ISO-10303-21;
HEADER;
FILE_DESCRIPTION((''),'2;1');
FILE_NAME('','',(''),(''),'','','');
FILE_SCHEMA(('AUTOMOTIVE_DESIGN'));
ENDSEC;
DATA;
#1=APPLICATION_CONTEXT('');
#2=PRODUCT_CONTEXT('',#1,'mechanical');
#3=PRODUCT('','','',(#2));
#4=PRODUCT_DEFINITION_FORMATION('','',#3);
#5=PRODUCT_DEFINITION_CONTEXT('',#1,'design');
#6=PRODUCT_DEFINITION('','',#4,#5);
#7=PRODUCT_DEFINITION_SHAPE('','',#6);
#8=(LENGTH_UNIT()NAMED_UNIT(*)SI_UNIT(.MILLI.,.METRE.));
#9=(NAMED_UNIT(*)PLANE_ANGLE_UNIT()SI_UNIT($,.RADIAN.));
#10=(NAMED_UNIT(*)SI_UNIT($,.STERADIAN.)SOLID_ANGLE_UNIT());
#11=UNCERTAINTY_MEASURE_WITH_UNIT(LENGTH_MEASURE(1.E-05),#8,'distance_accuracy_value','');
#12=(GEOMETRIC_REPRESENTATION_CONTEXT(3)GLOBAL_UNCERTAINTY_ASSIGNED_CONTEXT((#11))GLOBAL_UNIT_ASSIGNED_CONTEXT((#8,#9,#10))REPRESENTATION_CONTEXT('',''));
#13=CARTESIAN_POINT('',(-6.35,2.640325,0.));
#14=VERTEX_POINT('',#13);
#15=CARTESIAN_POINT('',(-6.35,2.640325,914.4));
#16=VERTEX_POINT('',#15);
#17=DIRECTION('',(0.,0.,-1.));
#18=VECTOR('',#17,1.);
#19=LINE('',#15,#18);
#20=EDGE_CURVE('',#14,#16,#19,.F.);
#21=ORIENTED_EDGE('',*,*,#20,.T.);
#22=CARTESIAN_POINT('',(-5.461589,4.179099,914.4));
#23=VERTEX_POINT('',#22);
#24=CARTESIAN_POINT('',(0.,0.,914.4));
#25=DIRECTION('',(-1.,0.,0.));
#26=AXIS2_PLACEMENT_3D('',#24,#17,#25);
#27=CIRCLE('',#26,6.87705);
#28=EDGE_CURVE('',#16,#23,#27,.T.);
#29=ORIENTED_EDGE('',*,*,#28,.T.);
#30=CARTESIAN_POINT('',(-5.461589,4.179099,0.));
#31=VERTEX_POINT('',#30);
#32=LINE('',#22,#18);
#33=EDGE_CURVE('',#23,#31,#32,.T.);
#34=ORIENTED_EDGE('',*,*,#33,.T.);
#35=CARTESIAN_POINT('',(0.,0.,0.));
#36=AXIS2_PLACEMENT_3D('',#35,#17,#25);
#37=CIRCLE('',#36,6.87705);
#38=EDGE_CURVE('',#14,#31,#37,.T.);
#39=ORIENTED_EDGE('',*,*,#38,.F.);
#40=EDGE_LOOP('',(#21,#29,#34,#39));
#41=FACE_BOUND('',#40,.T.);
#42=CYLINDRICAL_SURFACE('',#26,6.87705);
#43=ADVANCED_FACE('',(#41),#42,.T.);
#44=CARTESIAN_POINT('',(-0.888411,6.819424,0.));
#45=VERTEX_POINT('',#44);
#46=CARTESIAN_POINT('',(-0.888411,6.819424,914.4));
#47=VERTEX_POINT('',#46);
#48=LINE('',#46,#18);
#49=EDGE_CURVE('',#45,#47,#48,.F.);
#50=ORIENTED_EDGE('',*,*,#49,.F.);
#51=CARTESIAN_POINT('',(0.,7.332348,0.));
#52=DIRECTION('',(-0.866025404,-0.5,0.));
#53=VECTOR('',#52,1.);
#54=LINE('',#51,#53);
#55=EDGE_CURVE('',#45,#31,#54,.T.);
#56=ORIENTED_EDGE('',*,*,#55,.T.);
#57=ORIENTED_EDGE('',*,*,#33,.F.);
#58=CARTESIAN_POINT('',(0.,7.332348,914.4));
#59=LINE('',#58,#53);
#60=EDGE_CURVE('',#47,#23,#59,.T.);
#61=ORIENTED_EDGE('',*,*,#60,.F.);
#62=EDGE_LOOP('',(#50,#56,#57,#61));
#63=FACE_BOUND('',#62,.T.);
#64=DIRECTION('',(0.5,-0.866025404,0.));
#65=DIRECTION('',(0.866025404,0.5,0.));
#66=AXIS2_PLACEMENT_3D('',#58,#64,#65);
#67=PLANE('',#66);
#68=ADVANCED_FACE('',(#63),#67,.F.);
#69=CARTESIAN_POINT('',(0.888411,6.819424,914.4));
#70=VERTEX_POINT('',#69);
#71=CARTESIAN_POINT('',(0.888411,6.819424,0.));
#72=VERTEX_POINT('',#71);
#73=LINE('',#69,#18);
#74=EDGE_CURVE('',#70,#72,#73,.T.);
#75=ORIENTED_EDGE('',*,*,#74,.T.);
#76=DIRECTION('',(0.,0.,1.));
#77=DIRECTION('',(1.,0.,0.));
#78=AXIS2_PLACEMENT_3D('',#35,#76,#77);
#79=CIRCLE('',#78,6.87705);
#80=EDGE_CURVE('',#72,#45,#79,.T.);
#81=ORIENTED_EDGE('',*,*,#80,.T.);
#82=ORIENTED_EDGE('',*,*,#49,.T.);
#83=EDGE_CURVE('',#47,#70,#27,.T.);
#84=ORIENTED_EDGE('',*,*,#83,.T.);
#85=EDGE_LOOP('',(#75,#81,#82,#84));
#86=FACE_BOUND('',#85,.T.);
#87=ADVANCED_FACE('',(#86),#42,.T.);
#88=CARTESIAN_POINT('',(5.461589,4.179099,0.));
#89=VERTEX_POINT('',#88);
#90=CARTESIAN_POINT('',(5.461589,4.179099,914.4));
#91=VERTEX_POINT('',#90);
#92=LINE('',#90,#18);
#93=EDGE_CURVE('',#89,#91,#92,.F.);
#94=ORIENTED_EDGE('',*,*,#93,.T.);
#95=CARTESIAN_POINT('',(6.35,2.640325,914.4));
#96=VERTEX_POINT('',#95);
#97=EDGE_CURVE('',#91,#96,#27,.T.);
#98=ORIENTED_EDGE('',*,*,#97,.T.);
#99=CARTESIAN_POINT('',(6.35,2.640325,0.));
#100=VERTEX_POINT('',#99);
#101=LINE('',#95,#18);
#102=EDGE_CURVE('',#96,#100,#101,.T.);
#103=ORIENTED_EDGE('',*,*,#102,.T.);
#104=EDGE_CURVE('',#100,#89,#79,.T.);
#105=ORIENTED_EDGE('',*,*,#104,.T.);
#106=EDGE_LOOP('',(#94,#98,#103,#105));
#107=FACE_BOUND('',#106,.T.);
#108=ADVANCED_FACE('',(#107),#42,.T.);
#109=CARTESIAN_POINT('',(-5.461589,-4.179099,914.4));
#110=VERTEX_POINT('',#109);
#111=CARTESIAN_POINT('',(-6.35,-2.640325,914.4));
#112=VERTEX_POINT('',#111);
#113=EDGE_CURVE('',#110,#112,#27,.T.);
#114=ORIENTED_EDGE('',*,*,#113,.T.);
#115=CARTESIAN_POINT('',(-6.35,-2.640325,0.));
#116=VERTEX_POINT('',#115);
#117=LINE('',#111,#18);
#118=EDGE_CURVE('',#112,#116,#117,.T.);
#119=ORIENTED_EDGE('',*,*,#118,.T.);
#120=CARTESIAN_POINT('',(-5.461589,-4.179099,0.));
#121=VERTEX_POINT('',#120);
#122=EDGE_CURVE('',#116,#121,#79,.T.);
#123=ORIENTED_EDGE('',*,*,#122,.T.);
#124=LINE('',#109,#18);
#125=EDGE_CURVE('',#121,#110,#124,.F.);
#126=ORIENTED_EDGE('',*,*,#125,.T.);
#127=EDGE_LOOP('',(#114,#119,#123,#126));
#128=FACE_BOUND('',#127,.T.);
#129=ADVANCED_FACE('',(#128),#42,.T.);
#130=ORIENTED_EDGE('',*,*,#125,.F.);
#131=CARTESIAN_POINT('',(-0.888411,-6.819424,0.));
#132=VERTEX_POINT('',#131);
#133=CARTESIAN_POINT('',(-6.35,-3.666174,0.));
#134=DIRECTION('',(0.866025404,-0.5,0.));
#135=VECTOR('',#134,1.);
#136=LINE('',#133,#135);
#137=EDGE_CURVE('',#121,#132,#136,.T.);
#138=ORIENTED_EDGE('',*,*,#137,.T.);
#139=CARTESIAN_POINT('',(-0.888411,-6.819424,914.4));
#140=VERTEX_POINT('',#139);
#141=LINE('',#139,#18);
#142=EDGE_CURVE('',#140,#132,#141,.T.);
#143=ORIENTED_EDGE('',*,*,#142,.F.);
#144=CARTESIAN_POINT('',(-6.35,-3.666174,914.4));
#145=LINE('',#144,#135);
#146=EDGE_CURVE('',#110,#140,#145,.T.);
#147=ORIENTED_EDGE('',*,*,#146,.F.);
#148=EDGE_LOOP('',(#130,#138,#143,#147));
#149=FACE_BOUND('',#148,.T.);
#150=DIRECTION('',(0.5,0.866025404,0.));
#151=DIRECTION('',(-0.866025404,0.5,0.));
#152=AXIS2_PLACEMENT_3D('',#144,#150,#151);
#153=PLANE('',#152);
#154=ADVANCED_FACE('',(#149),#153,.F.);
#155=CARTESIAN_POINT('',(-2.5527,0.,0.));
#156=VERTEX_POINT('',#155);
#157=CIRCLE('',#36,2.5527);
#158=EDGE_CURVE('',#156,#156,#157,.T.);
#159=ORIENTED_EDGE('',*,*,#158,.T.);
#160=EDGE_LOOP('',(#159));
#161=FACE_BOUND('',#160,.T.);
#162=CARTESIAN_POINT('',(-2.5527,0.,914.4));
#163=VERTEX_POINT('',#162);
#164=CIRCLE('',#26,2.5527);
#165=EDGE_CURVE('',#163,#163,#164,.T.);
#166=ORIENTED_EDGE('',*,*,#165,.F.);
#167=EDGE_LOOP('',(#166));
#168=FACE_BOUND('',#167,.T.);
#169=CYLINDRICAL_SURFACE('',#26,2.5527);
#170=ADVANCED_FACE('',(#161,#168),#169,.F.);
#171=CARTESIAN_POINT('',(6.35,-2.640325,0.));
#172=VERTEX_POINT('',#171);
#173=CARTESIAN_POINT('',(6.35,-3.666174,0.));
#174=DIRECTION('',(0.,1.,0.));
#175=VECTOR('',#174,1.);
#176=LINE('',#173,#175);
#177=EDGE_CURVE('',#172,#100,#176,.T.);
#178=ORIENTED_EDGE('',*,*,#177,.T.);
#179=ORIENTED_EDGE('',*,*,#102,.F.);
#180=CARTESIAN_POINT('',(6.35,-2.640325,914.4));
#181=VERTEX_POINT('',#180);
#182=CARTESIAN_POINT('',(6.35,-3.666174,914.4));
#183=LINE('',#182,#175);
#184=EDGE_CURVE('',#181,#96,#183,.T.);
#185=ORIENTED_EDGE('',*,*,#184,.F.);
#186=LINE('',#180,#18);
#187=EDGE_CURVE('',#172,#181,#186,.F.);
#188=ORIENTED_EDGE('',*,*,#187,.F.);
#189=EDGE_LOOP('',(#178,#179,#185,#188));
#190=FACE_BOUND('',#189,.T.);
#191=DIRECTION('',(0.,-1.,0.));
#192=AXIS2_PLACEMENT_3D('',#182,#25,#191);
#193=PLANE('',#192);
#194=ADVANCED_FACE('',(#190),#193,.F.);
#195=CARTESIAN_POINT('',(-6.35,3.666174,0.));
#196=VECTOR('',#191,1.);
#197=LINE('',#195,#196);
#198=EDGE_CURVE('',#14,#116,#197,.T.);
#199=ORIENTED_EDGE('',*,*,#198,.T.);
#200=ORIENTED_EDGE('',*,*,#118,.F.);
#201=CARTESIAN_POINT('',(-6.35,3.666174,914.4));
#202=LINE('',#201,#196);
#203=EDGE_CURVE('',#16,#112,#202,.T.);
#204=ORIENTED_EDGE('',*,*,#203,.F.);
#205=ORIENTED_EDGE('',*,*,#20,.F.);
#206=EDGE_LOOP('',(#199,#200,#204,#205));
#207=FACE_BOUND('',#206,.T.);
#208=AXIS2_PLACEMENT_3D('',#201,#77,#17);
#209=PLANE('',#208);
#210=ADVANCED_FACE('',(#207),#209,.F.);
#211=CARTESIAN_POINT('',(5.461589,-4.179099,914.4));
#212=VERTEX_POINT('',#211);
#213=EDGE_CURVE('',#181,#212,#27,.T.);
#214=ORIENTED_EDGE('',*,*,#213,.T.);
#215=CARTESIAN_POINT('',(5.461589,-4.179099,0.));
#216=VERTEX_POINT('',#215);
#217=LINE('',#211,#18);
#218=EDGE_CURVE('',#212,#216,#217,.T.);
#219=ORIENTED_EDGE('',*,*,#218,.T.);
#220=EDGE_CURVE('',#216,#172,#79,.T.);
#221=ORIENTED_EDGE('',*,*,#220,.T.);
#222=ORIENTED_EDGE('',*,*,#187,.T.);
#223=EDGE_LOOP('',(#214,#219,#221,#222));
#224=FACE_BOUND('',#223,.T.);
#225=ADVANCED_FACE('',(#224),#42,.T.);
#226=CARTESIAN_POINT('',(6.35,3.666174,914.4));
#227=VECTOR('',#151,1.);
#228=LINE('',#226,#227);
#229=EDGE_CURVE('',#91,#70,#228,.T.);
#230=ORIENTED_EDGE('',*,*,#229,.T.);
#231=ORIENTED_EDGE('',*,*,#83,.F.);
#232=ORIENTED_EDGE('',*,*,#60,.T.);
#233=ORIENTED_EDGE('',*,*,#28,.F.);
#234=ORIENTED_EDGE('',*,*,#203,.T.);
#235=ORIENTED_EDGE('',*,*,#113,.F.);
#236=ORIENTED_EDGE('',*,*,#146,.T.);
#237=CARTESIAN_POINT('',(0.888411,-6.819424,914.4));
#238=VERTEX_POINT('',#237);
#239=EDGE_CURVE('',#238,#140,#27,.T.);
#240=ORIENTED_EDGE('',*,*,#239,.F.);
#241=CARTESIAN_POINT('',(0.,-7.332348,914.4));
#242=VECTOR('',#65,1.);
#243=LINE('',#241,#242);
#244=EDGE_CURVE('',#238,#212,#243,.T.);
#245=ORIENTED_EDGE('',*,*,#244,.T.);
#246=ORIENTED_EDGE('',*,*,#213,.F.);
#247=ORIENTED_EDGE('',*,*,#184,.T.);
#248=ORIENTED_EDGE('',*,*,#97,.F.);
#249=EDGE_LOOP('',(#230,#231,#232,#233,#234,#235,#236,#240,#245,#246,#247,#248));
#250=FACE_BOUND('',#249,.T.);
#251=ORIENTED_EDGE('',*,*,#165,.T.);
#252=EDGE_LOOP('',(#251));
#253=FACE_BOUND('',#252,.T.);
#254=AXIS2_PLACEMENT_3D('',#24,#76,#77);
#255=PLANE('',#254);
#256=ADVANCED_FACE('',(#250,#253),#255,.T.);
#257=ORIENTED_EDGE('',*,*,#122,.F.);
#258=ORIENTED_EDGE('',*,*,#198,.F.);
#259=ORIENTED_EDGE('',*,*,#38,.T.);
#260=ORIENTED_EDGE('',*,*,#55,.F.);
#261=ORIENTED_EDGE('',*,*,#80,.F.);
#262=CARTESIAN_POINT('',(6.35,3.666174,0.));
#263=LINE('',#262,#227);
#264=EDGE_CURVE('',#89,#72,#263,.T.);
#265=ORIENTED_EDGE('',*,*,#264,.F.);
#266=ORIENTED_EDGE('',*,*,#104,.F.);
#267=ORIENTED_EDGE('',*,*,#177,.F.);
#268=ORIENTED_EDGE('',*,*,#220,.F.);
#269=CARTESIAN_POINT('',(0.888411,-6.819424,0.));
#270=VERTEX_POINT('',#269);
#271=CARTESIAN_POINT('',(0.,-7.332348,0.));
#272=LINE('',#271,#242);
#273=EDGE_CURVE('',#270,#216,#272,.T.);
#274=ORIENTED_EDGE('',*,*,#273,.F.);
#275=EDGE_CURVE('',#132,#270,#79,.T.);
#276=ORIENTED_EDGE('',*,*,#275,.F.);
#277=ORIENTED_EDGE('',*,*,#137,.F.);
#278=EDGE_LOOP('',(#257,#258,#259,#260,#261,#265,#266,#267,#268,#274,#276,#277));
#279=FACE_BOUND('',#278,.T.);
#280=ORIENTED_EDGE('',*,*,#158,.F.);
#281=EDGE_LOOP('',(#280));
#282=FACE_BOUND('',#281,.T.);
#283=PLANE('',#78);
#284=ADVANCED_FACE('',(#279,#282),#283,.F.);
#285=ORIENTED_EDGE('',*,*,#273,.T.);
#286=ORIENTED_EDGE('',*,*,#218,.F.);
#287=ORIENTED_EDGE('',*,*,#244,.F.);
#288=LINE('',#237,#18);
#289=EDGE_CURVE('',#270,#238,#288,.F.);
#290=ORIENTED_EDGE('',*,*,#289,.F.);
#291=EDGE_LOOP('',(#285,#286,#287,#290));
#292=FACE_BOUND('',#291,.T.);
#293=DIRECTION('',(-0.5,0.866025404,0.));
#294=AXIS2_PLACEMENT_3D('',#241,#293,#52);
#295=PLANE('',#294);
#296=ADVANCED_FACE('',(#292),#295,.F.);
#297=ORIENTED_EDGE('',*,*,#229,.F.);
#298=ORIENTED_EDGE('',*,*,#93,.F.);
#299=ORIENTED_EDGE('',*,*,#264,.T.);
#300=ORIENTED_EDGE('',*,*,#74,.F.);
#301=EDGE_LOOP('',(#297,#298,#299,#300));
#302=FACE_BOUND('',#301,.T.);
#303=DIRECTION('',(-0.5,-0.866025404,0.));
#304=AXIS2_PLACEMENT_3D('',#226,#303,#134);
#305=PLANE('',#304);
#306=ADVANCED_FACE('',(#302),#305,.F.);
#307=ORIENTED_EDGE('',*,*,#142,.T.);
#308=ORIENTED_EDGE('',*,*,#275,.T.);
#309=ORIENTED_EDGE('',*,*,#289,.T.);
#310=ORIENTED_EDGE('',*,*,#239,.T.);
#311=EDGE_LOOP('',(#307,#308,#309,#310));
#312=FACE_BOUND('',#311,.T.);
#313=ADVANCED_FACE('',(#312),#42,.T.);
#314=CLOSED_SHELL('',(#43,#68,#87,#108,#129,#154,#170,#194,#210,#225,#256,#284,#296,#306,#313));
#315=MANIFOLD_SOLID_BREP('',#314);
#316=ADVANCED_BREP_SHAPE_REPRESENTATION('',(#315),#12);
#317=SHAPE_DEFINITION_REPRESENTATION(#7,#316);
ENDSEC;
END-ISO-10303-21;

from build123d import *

# Parameters (mm, degrees)
SHAFT_BOSS_DEPTH                = 914.4
SKETCH2_R                       = 9.41705
SKETCH2_R_2                     = 6.87705
CUT_FOR_THUNDER_HEX_ROUND_DEPTH = 914.4
SKETCH3_R                       = 2.5527
CENTER_HOLE_CUT_DEPTH           = 914.4


with BuildPart() as part:
    # Sketch1 → Shaft Boss (new body)
    with BuildSketch(Plane.XY):
        Polygon((0, 7.332348419), (-6.35, 3.666174209), (-6.35, -3.666174209), (0, -7.332348419), (6.35, -3.666174209), (6.35, 3.666174209), align=None)
    extrude(amount=SHAFT_BOSS_DEPTH)

    # Sketch2 → Cut For Thunder Hex Round (cut)
    with BuildSketch(Plane(origin=(0, 0, 0), x_dir=(-1, 0, 0), z_dir=(0, 0, -1))):
        Circle(SKETCH2_R)
        Circle(SKETCH2_R_2, mode=Mode.SUBTRACT)
    extrude(amount=-CUT_FOR_THUNDER_HEX_ROUND_DEPTH, mode=Mode.SUBTRACT)

    # Sketch3 → Center Hole Cut (cut)
    with BuildSketch(Plane(origin=(0, 0, 0), x_dir=(-1, 0, 0), z_dir=(0, 0, -1))):
        Circle(SKETCH3_R)
    extrude(amount=-CENTER_HOLE_CUT_DEPTH, mode=Mode.SUBTRACT)


solid = part.part
